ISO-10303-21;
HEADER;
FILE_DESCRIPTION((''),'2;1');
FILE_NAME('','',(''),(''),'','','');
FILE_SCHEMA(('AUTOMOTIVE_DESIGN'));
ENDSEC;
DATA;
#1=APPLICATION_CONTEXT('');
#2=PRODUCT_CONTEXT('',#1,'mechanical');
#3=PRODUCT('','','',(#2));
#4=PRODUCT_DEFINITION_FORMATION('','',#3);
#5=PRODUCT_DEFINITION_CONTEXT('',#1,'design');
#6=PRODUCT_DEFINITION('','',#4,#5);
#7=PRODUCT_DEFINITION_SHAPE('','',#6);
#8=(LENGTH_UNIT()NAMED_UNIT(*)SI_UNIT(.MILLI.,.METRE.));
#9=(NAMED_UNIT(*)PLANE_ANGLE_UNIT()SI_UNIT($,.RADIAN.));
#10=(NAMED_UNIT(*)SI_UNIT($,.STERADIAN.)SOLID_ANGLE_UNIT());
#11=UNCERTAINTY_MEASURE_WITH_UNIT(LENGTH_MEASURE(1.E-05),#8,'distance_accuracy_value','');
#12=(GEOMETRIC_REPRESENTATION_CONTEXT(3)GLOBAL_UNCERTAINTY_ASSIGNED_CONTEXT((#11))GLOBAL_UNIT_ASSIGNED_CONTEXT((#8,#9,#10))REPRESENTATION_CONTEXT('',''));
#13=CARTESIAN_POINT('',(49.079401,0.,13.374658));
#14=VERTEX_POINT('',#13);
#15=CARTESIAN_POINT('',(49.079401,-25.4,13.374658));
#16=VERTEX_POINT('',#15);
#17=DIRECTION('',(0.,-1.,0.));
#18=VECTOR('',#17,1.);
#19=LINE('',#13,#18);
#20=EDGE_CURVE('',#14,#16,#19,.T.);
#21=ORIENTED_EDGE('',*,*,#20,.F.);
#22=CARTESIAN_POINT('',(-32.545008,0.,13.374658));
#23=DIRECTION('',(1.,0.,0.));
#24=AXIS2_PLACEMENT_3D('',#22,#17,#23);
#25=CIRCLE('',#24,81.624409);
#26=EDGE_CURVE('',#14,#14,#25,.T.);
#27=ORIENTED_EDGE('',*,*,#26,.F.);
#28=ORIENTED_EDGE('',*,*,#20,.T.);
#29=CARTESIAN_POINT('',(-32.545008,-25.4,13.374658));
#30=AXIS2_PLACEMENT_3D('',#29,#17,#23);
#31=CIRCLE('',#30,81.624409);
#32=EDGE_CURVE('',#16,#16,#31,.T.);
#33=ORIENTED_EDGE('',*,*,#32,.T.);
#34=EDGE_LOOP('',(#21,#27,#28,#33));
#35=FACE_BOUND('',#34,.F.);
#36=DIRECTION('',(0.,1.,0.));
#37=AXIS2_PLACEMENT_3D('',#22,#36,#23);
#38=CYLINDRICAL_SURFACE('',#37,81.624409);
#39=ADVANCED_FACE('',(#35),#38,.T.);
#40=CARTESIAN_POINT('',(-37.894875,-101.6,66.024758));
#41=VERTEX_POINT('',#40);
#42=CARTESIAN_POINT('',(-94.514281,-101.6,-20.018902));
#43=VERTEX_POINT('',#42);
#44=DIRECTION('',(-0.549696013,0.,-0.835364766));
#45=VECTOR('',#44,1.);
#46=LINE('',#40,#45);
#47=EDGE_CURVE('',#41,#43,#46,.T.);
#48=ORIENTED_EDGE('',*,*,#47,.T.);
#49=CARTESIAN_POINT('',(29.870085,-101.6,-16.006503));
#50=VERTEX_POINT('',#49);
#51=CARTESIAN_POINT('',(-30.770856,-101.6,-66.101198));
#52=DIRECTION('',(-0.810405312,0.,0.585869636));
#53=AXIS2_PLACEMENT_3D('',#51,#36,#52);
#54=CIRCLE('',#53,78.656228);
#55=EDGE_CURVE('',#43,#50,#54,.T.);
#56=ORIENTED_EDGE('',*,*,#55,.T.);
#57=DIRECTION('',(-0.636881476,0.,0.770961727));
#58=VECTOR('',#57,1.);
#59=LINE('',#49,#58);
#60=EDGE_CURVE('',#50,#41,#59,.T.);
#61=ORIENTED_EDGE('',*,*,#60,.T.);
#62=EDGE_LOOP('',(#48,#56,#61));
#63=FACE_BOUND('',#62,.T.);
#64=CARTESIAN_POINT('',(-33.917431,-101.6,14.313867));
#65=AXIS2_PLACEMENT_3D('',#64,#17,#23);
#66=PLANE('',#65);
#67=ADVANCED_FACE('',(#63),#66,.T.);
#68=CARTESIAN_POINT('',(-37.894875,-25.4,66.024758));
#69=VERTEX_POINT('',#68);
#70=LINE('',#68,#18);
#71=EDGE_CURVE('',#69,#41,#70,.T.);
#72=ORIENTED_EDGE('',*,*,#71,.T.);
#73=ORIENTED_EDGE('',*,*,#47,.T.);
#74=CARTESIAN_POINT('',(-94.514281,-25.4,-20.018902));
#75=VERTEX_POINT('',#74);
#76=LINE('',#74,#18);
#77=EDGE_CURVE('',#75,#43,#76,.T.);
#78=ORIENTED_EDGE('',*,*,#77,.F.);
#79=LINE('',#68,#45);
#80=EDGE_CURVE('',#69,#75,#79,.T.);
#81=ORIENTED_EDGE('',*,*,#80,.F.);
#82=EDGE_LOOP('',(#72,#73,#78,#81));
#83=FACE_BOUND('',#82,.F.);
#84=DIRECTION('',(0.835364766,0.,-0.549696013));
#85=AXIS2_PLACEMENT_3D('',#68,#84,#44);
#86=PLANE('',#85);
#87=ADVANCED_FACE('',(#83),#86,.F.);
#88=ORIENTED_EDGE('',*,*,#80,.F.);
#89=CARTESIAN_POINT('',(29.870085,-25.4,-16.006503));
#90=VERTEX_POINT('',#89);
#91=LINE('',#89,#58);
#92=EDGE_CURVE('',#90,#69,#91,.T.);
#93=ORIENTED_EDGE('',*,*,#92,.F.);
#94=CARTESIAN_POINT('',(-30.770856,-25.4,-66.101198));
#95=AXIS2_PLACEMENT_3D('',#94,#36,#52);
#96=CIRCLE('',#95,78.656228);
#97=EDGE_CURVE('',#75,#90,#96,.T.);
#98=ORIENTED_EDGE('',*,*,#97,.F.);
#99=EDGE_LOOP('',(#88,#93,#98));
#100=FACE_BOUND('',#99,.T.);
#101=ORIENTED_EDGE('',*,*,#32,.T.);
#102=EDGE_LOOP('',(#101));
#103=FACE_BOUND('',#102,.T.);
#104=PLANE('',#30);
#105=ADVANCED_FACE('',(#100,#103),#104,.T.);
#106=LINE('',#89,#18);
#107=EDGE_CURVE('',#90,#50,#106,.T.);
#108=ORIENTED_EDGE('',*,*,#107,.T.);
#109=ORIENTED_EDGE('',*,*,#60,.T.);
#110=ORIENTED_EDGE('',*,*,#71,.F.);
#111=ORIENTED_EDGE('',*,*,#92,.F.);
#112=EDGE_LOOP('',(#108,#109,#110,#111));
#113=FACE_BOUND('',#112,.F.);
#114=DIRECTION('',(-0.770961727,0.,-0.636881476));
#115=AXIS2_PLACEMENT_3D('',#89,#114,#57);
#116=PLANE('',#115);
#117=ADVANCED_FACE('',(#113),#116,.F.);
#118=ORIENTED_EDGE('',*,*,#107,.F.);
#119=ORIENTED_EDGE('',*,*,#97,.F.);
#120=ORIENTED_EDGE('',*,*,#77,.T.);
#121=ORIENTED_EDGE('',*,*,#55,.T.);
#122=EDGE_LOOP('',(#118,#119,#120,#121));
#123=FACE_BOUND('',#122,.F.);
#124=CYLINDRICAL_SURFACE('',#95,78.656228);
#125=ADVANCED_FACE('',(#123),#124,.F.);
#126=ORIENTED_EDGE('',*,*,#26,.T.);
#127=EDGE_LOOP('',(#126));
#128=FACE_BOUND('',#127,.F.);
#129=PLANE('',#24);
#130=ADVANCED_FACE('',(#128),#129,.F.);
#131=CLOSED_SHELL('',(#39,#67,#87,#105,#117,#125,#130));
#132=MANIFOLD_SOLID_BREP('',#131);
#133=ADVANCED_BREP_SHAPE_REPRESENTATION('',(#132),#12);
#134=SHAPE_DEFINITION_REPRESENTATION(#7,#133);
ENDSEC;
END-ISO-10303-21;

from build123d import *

# Parameters (mm, degrees)
F0_R     = 81.624409
F1_DEPTH = 25.4
F3_DEPTH = 76.2


with BuildPart() as f1:
    # F0 (on Front) → F1 (new body)
    with BuildSketch(Plane.XZ):
        with Locations((-32.545008, 13.374658)):
            Circle(F0_R)
    extrude(amount=F1_DEPTH)

    # F2 (on face) → F3 (join)
    with BuildSketch(Plane.XZ.offset(25.4)):
        with BuildLine():
            Line((-37.894875, 66.024758), (-94.514281, -20.018902))
            ThreePointArc((-94.514281, -20.018902), (-33.306834, 12.514138), (29.870085, -16.006503))
            Line((29.870085, -16.006503), (-37.894875, 66.024758))
        make_face()
    extrude(amount=F3_DEPTH)


solid = f1.part
